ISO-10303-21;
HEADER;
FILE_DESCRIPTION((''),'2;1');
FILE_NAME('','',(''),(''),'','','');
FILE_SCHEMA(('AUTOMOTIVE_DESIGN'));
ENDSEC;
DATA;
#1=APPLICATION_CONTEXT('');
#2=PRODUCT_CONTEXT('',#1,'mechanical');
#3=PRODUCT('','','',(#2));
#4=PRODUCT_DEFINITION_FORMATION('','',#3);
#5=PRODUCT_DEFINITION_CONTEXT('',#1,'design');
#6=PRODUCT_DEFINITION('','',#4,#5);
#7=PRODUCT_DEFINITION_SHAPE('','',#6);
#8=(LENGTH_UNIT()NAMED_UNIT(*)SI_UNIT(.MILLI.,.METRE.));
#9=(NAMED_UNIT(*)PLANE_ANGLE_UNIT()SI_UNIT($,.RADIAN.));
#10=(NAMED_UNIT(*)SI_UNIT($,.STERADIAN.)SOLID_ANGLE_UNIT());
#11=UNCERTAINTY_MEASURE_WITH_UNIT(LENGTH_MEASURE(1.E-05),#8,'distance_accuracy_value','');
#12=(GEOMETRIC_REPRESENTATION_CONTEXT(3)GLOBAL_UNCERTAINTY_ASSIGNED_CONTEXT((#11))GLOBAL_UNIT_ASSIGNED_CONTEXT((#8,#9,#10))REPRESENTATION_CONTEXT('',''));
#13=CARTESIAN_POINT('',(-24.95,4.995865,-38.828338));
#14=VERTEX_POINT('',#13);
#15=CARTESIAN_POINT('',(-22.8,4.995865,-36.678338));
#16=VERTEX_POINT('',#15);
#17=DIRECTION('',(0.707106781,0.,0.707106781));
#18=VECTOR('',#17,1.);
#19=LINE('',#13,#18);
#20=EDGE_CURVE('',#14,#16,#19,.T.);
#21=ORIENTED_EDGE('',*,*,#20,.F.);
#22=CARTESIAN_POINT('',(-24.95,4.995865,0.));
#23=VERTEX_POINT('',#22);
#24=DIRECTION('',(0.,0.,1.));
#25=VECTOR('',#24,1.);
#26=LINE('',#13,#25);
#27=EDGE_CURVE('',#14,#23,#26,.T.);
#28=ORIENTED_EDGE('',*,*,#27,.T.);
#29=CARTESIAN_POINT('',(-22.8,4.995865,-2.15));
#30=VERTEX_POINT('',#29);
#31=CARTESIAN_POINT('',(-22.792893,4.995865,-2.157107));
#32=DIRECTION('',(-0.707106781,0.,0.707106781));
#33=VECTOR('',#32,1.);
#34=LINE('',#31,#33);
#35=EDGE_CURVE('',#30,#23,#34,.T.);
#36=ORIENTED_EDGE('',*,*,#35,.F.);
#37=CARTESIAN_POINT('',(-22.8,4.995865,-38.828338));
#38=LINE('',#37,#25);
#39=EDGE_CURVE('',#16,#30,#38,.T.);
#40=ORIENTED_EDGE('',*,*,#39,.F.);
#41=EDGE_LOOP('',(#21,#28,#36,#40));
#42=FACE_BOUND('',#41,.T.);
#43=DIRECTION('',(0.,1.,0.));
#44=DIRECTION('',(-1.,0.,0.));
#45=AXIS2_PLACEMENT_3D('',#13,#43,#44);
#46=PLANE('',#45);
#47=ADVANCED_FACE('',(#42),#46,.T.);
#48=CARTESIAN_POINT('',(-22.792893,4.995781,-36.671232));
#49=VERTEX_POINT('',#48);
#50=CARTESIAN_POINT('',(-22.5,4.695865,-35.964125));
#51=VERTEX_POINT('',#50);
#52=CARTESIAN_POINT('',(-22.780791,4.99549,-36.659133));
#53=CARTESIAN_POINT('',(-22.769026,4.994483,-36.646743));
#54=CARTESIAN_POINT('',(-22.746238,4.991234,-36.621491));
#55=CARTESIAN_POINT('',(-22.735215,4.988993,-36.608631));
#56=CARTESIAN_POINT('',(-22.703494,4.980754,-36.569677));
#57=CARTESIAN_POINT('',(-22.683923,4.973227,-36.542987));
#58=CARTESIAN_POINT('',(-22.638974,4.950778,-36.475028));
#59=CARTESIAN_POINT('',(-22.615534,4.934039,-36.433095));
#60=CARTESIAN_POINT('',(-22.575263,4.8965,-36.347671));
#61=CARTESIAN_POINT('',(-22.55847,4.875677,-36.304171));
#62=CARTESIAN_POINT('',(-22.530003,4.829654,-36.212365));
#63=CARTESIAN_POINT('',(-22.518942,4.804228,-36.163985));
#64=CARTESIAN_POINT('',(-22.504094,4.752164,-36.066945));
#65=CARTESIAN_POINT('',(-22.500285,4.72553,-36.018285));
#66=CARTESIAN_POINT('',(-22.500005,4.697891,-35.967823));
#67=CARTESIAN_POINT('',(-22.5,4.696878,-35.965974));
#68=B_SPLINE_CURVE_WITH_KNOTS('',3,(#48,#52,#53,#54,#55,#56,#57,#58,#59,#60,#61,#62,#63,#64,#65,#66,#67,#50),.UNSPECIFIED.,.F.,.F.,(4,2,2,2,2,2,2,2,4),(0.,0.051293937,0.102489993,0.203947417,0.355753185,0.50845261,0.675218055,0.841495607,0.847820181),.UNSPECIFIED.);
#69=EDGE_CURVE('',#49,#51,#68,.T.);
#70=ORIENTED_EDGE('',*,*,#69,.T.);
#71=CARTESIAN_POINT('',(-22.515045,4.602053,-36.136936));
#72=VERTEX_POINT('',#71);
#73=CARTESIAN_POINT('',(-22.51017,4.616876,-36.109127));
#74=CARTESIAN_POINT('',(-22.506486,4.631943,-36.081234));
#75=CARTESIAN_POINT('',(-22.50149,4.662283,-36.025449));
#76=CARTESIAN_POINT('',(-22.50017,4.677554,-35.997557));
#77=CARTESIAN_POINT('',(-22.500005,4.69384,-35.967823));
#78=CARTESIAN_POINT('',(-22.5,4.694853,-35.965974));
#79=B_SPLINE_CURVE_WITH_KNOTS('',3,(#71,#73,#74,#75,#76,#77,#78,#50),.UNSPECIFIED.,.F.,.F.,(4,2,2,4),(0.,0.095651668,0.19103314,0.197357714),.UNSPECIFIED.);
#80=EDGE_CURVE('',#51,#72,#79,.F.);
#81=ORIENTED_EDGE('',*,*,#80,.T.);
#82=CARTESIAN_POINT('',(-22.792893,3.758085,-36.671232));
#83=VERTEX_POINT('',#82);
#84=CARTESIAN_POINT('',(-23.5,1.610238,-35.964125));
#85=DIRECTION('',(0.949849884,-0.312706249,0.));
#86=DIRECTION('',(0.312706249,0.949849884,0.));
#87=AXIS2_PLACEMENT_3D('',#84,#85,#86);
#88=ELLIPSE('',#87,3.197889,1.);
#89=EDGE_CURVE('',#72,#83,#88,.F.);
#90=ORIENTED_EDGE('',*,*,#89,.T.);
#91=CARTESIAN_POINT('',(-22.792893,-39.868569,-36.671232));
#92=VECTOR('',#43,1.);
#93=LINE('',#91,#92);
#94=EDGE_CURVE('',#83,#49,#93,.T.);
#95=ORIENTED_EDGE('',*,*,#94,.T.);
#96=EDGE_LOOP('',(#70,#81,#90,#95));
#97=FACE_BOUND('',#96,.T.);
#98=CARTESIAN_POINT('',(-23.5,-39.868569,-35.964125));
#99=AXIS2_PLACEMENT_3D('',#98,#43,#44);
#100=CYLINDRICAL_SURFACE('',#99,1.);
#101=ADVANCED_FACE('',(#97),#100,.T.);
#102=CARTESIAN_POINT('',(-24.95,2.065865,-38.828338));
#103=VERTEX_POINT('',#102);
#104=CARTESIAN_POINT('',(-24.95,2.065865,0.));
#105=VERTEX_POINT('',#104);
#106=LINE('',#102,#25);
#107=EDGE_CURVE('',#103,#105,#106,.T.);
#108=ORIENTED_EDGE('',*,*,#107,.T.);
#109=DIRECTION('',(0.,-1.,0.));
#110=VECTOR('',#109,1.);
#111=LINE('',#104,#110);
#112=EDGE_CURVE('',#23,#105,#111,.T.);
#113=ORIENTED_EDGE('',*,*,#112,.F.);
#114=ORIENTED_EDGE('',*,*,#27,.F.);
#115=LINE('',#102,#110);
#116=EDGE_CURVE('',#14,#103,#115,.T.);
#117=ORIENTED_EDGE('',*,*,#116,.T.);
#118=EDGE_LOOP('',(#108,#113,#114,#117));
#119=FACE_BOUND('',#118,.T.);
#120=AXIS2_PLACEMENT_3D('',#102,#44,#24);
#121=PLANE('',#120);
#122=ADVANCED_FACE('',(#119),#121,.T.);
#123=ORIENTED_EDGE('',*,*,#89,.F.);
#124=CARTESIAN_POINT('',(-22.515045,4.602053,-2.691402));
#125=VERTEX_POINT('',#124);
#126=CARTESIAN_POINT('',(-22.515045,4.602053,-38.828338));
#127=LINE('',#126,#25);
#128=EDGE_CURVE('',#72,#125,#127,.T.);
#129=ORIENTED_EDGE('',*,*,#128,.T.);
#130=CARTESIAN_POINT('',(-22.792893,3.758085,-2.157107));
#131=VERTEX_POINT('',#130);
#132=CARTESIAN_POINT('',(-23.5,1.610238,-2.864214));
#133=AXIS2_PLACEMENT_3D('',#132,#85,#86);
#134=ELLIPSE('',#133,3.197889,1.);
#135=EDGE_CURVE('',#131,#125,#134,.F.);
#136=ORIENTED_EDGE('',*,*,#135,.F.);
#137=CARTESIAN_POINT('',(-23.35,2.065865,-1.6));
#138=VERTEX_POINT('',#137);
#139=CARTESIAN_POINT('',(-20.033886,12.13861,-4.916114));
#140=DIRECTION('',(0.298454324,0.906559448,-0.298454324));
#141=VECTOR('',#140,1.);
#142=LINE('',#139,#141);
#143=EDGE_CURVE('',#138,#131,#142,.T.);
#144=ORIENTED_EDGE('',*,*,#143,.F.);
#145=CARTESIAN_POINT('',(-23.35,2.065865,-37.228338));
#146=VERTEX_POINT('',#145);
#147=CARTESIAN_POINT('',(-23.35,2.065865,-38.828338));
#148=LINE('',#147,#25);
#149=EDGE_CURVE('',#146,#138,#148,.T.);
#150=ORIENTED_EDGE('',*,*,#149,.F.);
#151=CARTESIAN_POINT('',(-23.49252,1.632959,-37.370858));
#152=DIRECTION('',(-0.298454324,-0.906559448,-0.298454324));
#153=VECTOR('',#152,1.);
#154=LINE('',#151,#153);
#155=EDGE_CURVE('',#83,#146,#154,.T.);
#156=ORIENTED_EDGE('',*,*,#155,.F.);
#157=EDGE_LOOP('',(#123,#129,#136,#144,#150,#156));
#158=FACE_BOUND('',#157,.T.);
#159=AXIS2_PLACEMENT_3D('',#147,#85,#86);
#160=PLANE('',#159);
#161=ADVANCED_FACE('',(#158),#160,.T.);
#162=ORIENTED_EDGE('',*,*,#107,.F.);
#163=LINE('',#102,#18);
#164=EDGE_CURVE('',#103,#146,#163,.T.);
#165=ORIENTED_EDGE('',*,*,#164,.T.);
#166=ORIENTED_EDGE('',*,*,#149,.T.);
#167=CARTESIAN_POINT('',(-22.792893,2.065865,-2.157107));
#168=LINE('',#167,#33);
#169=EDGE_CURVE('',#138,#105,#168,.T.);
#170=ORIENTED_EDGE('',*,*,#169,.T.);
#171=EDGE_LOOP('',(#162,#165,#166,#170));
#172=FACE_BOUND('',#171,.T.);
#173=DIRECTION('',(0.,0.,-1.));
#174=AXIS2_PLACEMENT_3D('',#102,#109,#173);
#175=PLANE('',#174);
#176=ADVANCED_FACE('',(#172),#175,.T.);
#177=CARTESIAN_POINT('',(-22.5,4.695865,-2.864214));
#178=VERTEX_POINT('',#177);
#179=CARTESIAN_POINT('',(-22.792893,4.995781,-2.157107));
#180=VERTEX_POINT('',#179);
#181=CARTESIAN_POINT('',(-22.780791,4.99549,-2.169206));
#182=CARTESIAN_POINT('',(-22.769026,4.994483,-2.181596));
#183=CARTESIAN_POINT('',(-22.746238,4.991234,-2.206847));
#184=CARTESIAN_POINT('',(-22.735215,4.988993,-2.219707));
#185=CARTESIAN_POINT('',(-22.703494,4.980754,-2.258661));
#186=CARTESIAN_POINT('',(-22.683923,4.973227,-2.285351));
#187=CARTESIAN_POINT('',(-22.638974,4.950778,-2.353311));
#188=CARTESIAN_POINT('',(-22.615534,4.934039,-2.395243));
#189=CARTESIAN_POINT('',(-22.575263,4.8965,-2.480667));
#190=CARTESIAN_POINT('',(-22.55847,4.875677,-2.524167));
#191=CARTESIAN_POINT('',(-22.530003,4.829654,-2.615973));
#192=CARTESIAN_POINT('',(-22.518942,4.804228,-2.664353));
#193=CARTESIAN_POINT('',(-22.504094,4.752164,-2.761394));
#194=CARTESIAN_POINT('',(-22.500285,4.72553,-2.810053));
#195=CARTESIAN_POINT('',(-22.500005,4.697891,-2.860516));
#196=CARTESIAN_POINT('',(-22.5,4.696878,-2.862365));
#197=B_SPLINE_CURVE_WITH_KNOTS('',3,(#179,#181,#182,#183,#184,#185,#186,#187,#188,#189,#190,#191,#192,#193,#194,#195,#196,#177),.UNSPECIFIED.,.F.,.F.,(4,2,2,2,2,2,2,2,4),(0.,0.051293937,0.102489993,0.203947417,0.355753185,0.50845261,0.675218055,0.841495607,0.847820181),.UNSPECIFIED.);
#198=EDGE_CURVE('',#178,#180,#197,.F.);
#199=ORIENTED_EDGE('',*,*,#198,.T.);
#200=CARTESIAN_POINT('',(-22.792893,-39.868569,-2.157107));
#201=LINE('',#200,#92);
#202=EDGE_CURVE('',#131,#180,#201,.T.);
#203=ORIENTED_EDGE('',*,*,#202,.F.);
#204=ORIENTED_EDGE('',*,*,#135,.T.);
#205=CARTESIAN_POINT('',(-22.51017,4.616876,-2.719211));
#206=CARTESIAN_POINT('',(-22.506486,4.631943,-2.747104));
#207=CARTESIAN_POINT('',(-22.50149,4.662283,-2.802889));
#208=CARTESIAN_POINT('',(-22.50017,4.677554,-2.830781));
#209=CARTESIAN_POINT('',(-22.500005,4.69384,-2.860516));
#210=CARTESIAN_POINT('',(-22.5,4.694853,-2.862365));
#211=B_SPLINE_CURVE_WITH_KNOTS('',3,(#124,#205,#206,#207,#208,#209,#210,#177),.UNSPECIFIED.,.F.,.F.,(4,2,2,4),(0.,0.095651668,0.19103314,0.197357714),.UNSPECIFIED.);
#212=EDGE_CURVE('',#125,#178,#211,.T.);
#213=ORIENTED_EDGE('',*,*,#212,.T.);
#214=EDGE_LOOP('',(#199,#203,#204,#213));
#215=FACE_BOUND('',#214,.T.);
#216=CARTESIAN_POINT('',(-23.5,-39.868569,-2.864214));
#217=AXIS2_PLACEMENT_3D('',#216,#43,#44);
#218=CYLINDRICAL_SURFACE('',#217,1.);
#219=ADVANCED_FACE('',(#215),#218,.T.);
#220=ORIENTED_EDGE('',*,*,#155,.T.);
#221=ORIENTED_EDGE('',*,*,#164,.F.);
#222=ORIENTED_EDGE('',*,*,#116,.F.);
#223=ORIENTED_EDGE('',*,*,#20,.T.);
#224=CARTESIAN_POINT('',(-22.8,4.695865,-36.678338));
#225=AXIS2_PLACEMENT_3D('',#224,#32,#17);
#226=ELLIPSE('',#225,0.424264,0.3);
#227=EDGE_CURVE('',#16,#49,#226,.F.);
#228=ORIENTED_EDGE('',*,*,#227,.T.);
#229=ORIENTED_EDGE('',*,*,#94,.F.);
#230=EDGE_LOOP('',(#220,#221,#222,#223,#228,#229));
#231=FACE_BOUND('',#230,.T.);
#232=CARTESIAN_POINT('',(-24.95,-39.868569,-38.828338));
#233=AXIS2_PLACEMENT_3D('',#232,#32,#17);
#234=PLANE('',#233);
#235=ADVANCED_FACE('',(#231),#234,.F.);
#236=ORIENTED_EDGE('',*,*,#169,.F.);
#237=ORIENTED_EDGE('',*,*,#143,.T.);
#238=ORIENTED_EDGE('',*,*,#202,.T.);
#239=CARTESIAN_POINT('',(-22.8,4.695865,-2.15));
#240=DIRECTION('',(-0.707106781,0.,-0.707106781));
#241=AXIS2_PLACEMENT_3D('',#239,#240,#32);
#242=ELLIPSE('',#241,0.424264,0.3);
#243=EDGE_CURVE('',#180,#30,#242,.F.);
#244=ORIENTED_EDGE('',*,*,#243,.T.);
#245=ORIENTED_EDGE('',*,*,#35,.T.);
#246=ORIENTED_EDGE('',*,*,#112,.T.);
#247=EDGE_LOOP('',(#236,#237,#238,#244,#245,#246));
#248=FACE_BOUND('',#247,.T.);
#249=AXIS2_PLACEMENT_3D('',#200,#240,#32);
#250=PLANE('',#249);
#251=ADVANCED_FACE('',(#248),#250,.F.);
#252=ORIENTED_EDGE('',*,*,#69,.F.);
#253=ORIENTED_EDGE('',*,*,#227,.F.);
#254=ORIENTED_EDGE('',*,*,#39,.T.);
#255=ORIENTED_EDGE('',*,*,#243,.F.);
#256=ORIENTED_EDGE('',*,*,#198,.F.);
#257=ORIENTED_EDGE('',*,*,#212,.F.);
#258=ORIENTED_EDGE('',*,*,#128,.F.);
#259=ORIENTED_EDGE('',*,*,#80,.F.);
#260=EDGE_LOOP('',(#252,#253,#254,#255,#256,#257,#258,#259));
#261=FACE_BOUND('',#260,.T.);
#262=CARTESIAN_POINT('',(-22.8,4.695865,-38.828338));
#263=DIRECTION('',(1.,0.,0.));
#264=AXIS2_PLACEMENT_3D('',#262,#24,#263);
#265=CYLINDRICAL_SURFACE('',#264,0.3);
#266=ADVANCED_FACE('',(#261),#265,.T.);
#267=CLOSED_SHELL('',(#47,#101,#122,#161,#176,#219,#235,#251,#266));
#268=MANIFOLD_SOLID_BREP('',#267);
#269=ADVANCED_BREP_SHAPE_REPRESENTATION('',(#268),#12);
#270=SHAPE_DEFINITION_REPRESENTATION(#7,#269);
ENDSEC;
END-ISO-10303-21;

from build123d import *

# Parameters (mm, degrees)
SALIENTE_EXTRUIR1_DEPTH = 38.82833835
CORTAR_EXTRUIR1_REACH   = 48.246


with BuildPart() as part:
    # Croquis1 → Saliente-Extruir1 (new body)
    with BuildSketch(Plane.XY):
        with BuildLine():
            Line((-24.95, 2.065865337), (-24.95, 4.995865337))
            Line((-24.95, 4.995865337), (-22.8, 4.995865337))
            ThreePointArc((-22.8, 4.995865337), (-22.55695313, 4.871729543), (-22.515045035, 4.602053463))
            Line((-22.515045035, 4.602053463), (-23.35, 2.065865337))
            Line((-23.35, 2.065865337), (-24.95, 2.065865337))
        make_face()
    extrude(amount=-SALIENTE_EXTRUIR1_DEPTH)

    # Cortar-Extruir1: up to this face of the body (flat: up to its plane)
    cortar_extruir1_end = Plane(part.part.faces().sort_by_distance((-24.15, 2.065865337, -19.414169175))[0])
    # Croquis3 → Cortar-Extruir1 (cut, up to the picked face)
    with BuildSketch(Plane(origin=(0, 4.995865337, 0), x_dir=(1, 0, 0), z_dir=(0, 1, 0)), mode=Mode.PRIVATE) as cortar_extruir1_sk1:
        with BuildLine():
            Line((-24.95, 38.82833835), (-22.792893219, 36.671231569))
            ThreePointArc((-22.792893219, 36.671231569), (-22.576120467, 36.34680822), (-22.5, 35.964124788))
            Line((-22.5, 35.964124788), (-22.5, 2.864213562))
            ThreePointArc((-22.5, 2.864213562), (-22.576120467, 2.48153013), (-22.792893219, 2.157106781))
            Line((-22.792893219, 2.157106781), (-24.95, 0))
            Line((-24.95, 0), (-24.95, -1.353882683))
            Line((-24.95, -1.353882683), (-20.676224188, -1.353882683))
            Line((-20.676224188, -1.353882683), (-20.676224188, 40.362201109))
            Line((-20.676224188, 40.362201109), (-24.95, 40.362201109))
            Line((-24.95, 40.362201109), (-24.95, 38.82833835))
        make_face()
    cortar_extruir1_tool1 = split(extrude(cortar_extruir1_sk1.sketch, amount=-CORTAR_EXTRUIR1_REACH, mode=Mode.PRIVATE), bisect_by=cortar_extruir1_end, keep=Keep.BOTH, mode=Mode.PRIVATE)
    add(cortar_extruir1_tool1.solids().sort_by(Axis((-21.874385, 4.995865, -19.594031), (0, -1, 0)))[0], mode=Mode.SUBTRACT)


solid = part.part
